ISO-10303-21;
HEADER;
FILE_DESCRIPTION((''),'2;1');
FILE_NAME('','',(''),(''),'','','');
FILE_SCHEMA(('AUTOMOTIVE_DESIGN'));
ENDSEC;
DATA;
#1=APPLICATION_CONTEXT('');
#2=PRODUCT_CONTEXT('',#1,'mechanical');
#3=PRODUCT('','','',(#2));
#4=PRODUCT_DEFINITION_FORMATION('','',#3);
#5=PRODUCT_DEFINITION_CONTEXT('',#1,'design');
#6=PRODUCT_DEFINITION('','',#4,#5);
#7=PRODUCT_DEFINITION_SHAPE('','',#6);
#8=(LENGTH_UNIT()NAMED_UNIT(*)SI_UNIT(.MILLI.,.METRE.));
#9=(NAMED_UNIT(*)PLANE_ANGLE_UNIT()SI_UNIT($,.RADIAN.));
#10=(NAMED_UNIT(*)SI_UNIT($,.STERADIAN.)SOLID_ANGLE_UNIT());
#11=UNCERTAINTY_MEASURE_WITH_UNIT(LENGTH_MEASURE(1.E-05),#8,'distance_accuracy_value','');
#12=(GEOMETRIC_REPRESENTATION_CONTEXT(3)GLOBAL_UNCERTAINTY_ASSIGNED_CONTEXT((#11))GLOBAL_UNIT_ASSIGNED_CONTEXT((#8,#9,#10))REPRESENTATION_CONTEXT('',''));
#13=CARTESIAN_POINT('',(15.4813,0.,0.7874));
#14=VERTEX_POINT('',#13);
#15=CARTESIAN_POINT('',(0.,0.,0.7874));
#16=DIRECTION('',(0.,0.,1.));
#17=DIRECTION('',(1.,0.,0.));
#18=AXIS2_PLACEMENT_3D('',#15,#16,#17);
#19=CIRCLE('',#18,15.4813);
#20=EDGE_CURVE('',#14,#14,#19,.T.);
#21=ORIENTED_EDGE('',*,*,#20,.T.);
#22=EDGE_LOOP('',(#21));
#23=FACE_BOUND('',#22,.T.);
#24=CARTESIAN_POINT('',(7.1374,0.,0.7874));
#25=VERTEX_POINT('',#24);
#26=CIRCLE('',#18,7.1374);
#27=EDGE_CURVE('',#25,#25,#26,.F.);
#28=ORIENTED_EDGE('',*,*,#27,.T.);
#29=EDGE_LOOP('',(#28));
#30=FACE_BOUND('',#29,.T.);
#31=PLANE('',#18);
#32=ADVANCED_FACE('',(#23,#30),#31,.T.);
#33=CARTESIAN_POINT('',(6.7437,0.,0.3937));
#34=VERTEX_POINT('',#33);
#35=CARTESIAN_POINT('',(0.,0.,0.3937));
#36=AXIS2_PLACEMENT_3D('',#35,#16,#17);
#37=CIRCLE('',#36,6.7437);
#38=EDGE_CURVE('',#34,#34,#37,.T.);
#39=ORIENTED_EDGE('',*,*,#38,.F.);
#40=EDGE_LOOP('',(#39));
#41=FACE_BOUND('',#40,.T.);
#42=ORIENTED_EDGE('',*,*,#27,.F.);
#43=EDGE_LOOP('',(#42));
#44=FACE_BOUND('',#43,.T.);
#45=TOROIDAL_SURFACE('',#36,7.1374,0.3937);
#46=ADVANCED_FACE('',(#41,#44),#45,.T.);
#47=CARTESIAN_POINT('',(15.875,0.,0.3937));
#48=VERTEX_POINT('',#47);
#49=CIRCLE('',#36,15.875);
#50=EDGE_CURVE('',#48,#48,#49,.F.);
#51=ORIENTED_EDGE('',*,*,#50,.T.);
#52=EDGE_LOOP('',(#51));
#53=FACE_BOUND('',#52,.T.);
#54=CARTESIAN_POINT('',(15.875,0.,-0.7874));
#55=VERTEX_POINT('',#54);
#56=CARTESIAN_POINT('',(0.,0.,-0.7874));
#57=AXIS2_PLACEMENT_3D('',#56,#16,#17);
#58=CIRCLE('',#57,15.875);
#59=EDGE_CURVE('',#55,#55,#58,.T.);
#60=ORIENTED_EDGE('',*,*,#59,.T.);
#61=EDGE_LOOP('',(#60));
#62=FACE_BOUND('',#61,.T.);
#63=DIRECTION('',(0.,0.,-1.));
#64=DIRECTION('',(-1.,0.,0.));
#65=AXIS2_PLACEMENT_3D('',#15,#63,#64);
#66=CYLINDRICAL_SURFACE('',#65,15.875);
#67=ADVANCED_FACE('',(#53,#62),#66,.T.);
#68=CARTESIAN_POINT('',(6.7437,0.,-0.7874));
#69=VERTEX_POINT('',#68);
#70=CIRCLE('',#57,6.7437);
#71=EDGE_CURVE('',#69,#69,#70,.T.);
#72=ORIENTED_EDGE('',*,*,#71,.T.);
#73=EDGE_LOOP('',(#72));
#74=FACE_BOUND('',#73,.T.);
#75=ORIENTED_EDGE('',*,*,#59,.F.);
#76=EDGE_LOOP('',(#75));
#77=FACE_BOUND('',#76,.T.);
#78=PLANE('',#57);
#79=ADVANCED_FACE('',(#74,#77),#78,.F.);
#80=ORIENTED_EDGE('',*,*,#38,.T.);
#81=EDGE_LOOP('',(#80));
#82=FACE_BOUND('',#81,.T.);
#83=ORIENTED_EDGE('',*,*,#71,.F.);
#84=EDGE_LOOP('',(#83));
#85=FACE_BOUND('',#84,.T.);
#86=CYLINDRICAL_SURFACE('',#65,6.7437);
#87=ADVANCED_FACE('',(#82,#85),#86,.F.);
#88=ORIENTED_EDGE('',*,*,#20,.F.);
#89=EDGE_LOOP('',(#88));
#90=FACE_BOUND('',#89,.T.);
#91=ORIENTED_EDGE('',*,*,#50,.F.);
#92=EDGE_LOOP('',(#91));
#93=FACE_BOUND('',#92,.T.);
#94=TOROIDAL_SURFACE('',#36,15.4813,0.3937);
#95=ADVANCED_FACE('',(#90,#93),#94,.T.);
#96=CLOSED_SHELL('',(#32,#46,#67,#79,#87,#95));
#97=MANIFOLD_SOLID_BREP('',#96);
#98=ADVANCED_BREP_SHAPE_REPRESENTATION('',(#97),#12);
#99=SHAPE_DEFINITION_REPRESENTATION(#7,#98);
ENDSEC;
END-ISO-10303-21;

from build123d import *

# Parameters (mm, degrees)
SKETCH3_R                = 15.875
SKETCH3_R_2              = 6.7437
BOSS_EXTRUDE1_DEPTH      = 0.7874
BOSS_EXTRUDE1_DEPTH_BACK = 0.7874
FILLET1_R                = 0.3937


with BuildPart() as part:
    # Sketch3 → Boss-Extrude1 (new body, two sides)
    with BuildSketch(Plane.XY) as boss_extrude1_sk:
        Circle(SKETCH3_R)
        Circle(SKETCH3_R_2, mode=Mode.SUBTRACT)
    extrude(amount=BOSS_EXTRUDE1_DEPTH)
    extrude(boss_extrude1_sk.sketch, amount=-BOSS_EXTRUDE1_DEPTH_BACK)

    # Fillet1
    fillet1_edges = [part.edges().sort_by_distance(p)[0] for p in [
        (-15.875, 0, 0.7874),
        (-6.7437, 0, 0.7874),
    ]]
    fillet(fillet1_edges, radius=FILLET1_R)


solid = part.part
